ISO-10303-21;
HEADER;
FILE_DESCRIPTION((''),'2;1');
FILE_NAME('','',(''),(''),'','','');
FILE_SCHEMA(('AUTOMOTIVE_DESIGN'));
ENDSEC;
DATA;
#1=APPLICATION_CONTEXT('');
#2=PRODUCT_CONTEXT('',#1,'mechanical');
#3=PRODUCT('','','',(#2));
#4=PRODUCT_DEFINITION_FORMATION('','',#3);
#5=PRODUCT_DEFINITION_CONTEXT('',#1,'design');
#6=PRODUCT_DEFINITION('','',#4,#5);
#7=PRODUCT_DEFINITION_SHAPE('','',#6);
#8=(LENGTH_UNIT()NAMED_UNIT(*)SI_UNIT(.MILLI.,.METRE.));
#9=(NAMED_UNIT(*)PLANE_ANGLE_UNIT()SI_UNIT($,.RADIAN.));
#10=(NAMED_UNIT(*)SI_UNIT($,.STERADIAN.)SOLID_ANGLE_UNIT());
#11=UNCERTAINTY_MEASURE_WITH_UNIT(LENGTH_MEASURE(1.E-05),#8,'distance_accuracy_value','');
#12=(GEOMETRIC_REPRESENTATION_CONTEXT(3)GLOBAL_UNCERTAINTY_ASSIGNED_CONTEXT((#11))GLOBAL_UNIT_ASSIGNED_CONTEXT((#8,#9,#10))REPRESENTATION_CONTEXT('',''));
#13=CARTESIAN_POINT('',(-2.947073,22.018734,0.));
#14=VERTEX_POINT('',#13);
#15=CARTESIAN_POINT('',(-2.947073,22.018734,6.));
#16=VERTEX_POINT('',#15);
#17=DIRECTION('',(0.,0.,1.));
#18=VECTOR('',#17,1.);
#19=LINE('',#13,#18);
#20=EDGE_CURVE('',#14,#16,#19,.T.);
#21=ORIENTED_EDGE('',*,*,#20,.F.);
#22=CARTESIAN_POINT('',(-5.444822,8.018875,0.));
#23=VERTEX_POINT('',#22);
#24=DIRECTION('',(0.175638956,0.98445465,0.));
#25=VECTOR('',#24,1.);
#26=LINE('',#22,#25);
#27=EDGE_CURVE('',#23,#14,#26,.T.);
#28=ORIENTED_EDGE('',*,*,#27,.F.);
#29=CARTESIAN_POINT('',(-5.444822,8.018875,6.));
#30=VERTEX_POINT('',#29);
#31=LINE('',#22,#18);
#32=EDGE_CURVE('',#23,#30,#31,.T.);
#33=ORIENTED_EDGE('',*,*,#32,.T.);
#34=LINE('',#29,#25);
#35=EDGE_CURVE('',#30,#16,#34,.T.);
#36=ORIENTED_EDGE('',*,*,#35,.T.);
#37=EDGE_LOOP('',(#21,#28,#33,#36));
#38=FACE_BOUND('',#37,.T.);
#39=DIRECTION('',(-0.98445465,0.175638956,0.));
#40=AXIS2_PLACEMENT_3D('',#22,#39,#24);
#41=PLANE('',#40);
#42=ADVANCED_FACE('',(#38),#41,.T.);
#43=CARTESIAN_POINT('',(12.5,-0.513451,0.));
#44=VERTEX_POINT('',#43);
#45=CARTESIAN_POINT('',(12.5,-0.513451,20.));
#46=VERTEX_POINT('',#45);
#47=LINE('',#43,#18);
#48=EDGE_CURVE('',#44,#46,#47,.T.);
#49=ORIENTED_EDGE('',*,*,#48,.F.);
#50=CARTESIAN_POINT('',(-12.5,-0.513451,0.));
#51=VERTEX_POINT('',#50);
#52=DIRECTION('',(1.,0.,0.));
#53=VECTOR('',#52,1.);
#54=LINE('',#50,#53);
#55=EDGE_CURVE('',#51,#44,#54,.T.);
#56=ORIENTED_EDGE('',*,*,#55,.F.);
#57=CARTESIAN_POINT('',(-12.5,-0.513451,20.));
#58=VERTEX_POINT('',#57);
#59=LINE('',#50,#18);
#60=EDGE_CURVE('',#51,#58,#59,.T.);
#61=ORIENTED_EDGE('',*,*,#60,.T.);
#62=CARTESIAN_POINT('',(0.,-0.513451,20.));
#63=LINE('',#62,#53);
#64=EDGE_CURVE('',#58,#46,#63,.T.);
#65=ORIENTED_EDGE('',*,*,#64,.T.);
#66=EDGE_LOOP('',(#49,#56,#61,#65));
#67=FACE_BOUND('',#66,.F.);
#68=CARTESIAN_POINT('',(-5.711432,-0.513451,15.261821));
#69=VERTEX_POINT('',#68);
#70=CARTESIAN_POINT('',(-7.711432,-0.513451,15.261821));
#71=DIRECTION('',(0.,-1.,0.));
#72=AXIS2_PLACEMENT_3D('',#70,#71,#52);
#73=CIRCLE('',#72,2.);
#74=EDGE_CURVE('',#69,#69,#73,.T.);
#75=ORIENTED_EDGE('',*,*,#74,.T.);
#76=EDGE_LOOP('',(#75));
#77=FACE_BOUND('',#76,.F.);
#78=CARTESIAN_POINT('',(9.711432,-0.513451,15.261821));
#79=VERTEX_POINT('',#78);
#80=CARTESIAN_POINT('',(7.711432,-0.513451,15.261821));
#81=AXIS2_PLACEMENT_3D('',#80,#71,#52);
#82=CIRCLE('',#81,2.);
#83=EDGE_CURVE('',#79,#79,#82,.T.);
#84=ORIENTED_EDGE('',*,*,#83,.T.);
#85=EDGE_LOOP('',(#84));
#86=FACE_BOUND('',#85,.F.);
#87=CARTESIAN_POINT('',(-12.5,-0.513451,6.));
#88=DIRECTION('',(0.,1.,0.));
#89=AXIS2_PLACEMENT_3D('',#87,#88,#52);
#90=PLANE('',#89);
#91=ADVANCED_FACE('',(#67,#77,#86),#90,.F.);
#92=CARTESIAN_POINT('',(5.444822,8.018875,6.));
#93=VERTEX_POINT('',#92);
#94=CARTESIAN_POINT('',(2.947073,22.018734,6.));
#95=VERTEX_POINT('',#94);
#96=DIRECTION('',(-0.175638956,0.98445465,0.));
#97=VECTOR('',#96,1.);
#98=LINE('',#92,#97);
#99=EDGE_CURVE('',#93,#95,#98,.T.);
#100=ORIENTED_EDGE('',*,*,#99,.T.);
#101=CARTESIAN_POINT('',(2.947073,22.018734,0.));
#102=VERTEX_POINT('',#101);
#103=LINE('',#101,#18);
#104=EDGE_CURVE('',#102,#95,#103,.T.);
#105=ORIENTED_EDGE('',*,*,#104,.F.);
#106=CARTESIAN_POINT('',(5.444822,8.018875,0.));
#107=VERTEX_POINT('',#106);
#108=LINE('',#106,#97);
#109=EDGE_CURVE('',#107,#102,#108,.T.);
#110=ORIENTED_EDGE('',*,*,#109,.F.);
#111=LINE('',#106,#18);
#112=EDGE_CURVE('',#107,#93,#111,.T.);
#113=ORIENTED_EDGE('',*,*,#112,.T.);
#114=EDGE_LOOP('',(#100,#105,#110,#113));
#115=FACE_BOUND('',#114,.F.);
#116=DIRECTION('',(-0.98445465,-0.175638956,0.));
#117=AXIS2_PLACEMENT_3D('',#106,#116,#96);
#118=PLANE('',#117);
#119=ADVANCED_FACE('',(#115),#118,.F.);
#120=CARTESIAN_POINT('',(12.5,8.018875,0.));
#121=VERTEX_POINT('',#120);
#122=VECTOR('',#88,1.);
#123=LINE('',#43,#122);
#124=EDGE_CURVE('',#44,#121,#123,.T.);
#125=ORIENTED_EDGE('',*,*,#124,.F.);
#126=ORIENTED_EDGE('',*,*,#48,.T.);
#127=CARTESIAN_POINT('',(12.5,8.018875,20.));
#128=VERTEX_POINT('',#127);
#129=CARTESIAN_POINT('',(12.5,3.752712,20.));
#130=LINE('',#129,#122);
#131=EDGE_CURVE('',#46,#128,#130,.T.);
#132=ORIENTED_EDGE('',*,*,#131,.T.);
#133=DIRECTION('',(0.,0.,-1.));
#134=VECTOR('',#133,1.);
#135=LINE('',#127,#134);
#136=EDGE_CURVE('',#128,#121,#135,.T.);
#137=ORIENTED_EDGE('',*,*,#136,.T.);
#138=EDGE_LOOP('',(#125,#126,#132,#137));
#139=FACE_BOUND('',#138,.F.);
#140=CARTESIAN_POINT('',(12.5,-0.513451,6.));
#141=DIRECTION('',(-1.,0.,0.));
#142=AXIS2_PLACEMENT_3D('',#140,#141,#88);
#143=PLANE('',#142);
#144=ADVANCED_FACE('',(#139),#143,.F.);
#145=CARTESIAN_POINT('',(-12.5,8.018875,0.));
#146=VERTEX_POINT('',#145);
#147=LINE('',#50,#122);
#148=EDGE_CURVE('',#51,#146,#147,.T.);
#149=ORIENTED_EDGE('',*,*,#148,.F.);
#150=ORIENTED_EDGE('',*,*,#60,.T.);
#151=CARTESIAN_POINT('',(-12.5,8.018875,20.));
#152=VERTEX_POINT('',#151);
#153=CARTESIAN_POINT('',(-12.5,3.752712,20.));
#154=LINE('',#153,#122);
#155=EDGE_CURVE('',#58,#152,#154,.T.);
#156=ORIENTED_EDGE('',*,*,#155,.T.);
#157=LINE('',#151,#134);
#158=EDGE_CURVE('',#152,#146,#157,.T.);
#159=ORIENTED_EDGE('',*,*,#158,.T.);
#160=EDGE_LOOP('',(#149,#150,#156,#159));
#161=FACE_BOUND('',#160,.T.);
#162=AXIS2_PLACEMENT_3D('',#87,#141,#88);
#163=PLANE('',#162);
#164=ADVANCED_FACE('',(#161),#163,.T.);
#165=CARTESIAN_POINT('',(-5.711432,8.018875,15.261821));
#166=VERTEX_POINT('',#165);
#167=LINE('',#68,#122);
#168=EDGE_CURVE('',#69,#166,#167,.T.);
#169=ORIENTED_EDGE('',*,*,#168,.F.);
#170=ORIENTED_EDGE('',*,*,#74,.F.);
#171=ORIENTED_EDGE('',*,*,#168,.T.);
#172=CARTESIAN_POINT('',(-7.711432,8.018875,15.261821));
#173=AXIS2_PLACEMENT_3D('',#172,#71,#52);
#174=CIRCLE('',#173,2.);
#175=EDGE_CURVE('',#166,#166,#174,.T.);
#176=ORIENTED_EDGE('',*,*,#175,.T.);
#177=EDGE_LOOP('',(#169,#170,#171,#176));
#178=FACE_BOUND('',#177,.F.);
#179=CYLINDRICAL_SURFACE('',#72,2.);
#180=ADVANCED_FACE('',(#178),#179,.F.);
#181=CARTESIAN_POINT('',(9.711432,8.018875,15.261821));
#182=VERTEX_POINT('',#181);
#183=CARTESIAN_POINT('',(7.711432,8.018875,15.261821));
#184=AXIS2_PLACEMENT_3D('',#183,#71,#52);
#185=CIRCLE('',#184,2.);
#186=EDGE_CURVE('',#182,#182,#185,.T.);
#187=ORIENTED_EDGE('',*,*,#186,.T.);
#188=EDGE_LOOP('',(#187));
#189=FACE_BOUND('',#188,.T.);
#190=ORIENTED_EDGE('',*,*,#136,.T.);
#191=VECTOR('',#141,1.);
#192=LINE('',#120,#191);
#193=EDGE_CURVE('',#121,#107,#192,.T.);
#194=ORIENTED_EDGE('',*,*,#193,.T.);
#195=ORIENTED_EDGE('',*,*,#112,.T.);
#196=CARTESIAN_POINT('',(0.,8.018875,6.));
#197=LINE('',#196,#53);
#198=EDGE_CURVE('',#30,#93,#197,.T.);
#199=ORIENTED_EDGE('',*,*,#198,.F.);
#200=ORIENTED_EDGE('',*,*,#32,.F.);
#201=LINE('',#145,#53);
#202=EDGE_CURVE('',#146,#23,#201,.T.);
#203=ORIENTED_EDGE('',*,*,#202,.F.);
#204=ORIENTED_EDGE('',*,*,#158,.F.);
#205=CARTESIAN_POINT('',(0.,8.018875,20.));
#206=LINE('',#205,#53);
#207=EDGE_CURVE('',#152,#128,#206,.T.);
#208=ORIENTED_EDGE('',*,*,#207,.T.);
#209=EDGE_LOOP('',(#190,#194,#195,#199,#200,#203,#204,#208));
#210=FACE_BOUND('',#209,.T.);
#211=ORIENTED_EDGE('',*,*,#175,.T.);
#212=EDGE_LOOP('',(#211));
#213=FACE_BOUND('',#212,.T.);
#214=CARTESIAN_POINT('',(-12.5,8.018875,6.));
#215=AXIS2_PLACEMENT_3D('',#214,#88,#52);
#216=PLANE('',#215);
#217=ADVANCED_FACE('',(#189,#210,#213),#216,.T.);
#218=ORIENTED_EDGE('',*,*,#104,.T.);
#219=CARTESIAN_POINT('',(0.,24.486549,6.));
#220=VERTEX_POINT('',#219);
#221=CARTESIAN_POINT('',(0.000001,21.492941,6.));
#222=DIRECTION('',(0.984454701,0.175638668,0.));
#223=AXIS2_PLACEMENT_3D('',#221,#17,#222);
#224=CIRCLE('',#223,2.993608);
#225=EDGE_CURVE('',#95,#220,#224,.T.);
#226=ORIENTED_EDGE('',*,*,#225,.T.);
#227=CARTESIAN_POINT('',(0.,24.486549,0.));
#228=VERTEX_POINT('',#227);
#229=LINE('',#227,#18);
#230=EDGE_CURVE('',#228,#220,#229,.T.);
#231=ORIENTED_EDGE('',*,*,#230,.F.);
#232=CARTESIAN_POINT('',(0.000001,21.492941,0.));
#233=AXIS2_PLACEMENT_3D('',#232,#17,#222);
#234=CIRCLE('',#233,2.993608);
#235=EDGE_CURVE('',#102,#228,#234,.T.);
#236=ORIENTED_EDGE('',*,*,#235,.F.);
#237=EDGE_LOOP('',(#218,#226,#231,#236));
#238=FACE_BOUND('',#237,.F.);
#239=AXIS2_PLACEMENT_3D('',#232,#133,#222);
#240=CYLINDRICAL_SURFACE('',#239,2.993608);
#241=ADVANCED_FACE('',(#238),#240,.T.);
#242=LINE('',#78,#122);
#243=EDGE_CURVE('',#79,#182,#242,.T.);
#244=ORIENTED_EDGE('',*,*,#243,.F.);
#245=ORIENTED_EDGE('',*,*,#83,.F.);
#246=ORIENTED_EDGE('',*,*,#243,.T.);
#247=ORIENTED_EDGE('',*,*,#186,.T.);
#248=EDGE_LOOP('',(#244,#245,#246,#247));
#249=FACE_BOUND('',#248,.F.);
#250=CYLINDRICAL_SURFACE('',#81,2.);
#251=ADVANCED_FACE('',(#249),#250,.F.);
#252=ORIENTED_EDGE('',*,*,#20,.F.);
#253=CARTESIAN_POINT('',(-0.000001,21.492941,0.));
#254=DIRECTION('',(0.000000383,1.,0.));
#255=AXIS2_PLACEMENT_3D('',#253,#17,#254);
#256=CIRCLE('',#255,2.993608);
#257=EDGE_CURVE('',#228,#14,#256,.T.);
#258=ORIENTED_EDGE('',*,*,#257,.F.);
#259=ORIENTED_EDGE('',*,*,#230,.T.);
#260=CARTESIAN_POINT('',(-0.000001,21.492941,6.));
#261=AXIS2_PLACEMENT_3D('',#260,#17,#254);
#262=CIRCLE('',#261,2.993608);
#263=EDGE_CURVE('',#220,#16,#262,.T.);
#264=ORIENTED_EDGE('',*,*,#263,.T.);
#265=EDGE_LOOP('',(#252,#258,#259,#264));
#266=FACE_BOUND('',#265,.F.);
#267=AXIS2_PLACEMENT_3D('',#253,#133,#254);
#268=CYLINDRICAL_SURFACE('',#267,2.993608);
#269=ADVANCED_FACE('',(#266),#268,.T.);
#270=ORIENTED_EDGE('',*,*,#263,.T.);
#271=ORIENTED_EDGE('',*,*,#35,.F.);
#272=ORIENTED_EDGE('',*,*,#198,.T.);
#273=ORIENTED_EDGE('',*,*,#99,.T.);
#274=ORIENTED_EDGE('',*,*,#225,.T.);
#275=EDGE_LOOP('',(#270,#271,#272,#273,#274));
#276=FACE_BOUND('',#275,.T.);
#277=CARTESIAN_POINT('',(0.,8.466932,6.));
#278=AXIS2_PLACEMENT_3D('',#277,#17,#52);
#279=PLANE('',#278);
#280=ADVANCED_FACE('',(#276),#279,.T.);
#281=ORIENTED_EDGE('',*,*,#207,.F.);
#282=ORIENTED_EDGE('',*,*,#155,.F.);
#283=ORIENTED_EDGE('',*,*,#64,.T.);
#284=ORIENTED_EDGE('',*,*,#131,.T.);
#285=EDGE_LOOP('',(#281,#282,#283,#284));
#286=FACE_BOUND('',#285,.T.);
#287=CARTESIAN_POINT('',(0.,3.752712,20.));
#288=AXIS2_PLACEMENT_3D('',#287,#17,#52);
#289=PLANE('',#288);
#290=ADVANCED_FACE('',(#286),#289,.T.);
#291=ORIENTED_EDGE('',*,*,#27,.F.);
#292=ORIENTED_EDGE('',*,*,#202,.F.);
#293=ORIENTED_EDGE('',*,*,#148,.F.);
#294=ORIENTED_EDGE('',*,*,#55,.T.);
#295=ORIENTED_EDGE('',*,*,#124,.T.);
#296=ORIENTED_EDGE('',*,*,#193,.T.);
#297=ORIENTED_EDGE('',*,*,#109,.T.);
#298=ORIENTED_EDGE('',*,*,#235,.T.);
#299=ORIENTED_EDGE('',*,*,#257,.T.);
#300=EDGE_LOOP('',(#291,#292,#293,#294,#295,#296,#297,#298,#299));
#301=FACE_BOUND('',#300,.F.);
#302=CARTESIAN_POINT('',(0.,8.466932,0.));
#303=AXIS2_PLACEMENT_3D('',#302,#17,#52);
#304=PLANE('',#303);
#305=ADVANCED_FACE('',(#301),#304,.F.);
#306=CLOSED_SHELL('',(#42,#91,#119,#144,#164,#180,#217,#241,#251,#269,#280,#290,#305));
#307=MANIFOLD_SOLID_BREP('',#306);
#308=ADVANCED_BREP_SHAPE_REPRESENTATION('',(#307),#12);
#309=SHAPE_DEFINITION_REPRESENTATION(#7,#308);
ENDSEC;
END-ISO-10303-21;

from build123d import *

# Parameters (mm, degrees)
PAD_DEPTH    = 6
SKETCH_W     = 25
SKETCH_H     = 8.532326
PAD001_DEPTH = 14
SKETCH002_R  = 2
POCKET_DEPTH = 25.001


with BuildPart() as part:
    # Sketch001 → Pad (new body)
    with BuildSketch(Plane.XY):
        with BuildLine():
            Line((0, -0.513451), (12.5, -0.513451))
            Line((12.5, -0.513451), (12.5, 8.018875))
            Line((12.5, 8.018875), (5.444822, 8.018875))
            Line((5.444822, 8.018875), (2.947073, 22.018734))
            ThreePointArc((2.947073, 22.018734), (1.921936, 23.788122), (0, 24.486549))
            ThreePointArc((0, 24.486549), (-1.921936, 23.788122), (-2.947073, 22.018734))
            Line((-5.444822, 8.018875), (-2.947073, 22.018734))
            Line((-12.5, 8.018875), (-5.444822, 8.018875))
            Line((-12.5, -0.513451), (-12.5, 8.018875))
            Line((0, -0.513451), (-12.5, -0.513451))
        make_face()
    extrude(amount=PAD_DEPTH)

    # Sketch → Pad001 (new body)
    with BuildSketch(Plane.XY.offset(6)):
        with Locations((0, 3.752712)):
            Rectangle(SKETCH_W, SKETCH_H)
    extrude(amount=PAD001_DEPTH)

    # Sketch002 → Pocket (cut, through all)
    with BuildSketch(Plane.XZ.offset(0.513451)):
        with Locations((-7.711432, 15.261821)):
            Circle(SKETCH002_R)
        with Locations((7.711432, 15.261821)):
            Circle(SKETCH002_R)
    extrude(amount=-POCKET_DEPTH, mode=Mode.SUBTRACT)


solid = part.part
